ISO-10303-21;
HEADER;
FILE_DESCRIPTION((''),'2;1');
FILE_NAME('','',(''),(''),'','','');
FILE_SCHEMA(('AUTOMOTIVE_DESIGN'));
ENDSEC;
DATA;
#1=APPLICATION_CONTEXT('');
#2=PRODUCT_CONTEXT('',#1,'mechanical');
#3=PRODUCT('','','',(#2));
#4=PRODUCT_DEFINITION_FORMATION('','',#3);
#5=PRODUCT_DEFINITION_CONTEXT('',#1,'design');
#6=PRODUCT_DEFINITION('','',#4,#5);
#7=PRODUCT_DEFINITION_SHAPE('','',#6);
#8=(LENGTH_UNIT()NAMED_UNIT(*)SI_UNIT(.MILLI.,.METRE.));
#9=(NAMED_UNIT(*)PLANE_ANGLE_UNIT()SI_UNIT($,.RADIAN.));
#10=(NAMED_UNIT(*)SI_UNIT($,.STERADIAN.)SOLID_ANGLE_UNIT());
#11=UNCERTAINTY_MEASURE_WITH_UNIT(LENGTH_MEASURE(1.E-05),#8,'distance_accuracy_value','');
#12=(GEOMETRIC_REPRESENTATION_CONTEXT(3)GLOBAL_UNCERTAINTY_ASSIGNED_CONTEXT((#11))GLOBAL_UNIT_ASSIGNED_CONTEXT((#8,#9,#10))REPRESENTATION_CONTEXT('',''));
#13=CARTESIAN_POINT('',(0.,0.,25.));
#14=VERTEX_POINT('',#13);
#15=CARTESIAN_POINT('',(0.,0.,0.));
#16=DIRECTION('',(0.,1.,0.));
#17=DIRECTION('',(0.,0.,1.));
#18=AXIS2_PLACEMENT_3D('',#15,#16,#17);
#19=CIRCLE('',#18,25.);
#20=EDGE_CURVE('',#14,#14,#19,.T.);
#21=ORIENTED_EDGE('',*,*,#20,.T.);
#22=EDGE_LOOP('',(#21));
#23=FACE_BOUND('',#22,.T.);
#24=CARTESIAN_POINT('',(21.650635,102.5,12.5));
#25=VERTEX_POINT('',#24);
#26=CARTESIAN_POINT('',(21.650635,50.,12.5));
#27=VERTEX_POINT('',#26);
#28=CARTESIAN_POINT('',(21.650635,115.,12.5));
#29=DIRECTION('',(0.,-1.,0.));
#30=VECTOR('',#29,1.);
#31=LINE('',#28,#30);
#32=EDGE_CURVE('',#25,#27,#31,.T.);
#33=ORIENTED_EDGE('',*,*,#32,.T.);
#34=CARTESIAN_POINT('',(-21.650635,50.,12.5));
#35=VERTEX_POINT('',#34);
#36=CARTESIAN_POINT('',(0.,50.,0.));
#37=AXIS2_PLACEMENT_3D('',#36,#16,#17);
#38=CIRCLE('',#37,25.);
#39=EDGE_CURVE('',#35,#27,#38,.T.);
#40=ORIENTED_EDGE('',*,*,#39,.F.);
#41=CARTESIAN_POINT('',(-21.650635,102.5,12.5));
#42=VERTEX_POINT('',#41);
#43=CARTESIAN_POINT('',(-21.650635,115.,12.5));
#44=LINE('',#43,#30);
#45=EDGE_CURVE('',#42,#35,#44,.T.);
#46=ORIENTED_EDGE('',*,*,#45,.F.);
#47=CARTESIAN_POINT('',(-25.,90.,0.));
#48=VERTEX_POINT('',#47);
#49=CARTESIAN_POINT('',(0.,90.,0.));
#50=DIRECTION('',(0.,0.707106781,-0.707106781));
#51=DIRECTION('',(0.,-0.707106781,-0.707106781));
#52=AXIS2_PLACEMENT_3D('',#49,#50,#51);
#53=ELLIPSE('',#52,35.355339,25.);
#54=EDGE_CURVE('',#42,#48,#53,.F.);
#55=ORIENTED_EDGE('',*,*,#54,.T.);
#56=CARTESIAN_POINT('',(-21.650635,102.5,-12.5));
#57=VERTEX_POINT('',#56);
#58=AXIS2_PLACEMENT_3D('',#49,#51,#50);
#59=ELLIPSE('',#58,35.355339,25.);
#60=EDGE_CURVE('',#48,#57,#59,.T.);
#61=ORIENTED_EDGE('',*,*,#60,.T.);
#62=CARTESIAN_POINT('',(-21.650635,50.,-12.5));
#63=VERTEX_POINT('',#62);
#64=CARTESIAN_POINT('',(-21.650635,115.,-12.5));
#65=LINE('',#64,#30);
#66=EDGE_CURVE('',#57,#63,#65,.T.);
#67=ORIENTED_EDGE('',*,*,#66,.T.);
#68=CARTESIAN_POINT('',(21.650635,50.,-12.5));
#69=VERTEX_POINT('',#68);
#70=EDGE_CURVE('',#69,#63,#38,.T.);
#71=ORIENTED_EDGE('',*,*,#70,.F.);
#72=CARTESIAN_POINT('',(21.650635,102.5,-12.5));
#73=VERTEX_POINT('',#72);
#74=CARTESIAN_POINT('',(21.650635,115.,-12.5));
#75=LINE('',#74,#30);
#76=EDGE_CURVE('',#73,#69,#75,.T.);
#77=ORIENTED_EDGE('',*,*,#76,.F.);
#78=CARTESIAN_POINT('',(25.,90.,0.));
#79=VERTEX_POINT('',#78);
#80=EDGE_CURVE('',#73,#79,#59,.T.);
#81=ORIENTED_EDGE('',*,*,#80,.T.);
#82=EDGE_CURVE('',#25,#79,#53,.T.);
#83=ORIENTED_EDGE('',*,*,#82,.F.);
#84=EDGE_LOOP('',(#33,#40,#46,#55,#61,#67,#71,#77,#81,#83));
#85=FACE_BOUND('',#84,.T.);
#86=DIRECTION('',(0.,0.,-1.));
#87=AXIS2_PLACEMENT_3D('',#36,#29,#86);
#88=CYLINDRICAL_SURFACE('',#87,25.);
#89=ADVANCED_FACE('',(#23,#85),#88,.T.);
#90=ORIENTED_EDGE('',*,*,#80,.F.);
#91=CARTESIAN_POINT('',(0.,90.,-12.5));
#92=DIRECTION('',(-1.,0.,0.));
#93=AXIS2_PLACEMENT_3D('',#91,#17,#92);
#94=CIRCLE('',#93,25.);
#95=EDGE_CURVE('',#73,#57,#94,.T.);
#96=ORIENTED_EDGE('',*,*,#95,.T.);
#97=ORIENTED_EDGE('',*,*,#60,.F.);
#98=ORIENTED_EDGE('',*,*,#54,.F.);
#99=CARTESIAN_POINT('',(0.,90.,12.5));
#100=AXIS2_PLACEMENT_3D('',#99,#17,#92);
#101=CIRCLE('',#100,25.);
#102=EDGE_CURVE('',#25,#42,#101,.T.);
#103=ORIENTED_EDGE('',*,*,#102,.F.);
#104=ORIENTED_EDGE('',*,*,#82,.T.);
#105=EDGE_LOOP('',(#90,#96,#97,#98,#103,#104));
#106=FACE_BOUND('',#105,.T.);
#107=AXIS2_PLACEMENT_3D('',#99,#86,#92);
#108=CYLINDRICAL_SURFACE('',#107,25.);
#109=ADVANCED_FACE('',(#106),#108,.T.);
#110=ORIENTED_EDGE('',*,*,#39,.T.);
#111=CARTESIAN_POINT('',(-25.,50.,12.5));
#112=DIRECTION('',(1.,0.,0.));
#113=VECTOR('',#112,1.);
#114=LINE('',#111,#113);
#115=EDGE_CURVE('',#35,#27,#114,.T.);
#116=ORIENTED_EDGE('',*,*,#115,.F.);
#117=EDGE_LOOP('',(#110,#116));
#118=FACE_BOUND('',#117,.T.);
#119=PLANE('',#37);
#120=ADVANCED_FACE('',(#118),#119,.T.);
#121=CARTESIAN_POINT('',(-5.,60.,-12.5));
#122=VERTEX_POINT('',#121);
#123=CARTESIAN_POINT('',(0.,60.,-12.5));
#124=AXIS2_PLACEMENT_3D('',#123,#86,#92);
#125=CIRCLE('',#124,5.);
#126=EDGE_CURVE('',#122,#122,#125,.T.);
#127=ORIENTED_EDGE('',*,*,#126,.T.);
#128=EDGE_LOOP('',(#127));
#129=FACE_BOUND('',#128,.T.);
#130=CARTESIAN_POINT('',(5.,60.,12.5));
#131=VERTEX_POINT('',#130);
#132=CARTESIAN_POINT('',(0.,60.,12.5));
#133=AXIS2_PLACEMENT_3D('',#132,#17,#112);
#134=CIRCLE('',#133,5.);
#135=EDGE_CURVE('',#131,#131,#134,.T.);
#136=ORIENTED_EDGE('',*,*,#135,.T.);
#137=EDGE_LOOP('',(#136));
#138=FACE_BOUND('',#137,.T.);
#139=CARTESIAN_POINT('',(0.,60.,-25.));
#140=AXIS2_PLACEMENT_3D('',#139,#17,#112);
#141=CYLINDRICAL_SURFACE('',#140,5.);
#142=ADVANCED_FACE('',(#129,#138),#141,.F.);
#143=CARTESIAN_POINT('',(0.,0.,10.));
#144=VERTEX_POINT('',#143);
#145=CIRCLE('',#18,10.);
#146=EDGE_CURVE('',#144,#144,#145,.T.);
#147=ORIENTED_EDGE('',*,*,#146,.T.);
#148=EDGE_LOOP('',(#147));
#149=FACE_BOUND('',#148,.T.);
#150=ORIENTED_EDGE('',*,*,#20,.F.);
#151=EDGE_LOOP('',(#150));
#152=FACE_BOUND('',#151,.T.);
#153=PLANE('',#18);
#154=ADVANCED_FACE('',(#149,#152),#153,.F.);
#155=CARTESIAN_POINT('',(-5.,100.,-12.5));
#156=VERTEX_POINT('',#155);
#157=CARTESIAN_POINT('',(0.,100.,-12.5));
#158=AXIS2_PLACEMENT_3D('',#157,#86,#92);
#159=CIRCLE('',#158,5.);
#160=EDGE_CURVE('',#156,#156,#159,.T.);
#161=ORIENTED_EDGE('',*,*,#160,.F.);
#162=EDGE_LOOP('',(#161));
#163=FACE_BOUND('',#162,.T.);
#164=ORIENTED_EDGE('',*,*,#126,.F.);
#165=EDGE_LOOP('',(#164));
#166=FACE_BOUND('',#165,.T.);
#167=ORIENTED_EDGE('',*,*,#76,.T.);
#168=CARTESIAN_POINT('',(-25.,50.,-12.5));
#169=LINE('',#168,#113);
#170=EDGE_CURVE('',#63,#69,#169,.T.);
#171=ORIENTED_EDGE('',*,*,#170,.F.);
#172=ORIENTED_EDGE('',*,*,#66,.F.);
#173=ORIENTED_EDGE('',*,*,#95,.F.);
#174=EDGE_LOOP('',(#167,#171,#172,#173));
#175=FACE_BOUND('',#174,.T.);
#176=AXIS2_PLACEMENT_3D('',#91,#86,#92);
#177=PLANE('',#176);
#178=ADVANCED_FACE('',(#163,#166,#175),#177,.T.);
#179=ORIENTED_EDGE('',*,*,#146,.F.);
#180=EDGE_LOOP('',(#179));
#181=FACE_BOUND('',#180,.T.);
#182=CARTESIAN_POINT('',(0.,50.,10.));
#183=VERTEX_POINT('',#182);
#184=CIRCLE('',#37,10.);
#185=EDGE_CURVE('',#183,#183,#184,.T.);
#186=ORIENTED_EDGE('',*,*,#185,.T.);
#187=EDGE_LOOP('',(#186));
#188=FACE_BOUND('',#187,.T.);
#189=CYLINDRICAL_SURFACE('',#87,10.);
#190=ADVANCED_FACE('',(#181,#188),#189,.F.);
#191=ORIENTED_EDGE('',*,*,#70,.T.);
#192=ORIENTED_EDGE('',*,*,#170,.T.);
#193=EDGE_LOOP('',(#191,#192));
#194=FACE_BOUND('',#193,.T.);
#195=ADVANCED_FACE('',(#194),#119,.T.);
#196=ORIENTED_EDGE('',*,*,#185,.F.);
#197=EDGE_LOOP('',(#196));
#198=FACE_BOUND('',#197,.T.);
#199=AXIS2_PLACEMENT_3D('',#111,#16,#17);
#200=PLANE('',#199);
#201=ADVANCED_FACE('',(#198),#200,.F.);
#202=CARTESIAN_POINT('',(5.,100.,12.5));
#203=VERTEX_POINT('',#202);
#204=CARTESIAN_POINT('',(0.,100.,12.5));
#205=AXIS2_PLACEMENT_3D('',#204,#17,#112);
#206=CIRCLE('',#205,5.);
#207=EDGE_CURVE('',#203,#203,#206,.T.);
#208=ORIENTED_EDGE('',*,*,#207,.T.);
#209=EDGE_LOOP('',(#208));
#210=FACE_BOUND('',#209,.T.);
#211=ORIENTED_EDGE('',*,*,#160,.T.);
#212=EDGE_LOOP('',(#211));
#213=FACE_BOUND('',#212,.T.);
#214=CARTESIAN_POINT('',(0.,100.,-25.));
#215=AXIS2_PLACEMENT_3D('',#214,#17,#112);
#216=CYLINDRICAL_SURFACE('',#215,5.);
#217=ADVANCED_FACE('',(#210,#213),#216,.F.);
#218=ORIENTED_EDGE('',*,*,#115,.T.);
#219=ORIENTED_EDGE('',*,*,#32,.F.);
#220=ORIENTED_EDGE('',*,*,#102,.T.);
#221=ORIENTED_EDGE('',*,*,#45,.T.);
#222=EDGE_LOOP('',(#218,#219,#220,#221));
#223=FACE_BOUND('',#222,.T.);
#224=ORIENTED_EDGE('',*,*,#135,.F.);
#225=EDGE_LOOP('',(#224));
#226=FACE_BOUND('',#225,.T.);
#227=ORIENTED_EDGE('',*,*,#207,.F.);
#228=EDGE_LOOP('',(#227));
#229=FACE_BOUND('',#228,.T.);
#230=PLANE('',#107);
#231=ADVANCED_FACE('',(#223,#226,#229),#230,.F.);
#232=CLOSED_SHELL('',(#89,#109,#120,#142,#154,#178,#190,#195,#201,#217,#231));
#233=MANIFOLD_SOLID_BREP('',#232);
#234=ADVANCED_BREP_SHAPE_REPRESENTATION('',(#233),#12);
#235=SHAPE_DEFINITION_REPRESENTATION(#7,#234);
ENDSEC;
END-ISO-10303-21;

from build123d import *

# Parameters (mm, degrees)
SKETCH_1_R          = 25
SKETCH_1_R_2        = 10
EXTRUDE_1_DEPTH     = 50
EXTRUDE_2_DEPTH     = 12.5
CUT_EXTRUDE_1_DEPTH = 74.993242935
SKETCH_5_R          = 5
CUT_EXTRUDE_2_DEPTH = 124.51619327


with BuildPart() as part:
    # 草图1 → 凸台-拉伸1 (new body)
    with BuildSketch(Plane(origin=(0, 0, 0), x_dir=(1, 0, 0), z_dir=(0, 1, 0))):
        with Locations(Location((0, 0, 0), (0, 0, 270))):
            Circle(SKETCH_1_R)
        with Locations(Location((0, 0, 0), (0, 0, 270))):
            Circle(SKETCH_1_R_2, mode=Mode.SUBTRACT)
    extrude(amount=EXTRUDE_1_DEPTH)

    # 草图2 → 凸台-拉伸2 (add, symmetric)
    with BuildSketch(Plane.XY):
        with BuildLine():
            Line((-25, 50), (25, 50))
            Line((25, 50), (25, 90))
            ThreePointArc((25, 90), (0, 115), (-25, 90))
            Line((-25, 90), (-25, 50))
        make_face()
    extrude(amount=EXTRUDE_2_DEPTH, both=True)

    # 草图4 → 切除-拉伸1 (cut, through all)
    with BuildSketch(Plane.XZ.offset(-50)):
        with BuildLine():
            Line((21.650635095, -12.5), (25, -12.5))
            Line((25, -12.5), (25, 0))
            ThreePointArc((25, 0), (24.148145657, -6.470476128), (21.650635095, -12.5))
        make_face()
        with BuildLine():
            ThreePointArc((21.650635095, 12.5), (24.148145657, 6.470476128), (25, 0))
            Line((25, 0), (25, 12.5))
            Line((25, 12.5), (21.650635095, 12.5))
        make_face()
        with BuildLine():
            Line((-25, 0), (-25, -12.5))
            Line((-25, -12.5), (-21.650635095, -12.5))
            ThreePointArc((-21.650635095, -12.5), (-24.148145657, -6.470476128), (-25, 0))
        make_face()
        with BuildLine():
            Line((-25, 12.5), (-25, 0))
            ThreePointArc((-25, 0), (-24.148145657, 6.470476128), (-21.650635095, 12.5))
            Line((-21.650635095, 12.5), (-25, 12.5))
        make_face()
    extrude(amount=-CUT_EXTRUDE_1_DEPTH, mode=Mode.SUBTRACT)

    # 草图5 → 切除-拉伸2 (cut, through all)
    with BuildSketch(Plane.XY.offset(12.5)):
        with Locations((0, 100)):
            Circle(SKETCH_5_R)
        with Locations((0, 60)):
            Circle(SKETCH_5_R)
    extrude(amount=-CUT_EXTRUDE_2_DEPTH, mode=Mode.SUBTRACT)


solid = part.part
